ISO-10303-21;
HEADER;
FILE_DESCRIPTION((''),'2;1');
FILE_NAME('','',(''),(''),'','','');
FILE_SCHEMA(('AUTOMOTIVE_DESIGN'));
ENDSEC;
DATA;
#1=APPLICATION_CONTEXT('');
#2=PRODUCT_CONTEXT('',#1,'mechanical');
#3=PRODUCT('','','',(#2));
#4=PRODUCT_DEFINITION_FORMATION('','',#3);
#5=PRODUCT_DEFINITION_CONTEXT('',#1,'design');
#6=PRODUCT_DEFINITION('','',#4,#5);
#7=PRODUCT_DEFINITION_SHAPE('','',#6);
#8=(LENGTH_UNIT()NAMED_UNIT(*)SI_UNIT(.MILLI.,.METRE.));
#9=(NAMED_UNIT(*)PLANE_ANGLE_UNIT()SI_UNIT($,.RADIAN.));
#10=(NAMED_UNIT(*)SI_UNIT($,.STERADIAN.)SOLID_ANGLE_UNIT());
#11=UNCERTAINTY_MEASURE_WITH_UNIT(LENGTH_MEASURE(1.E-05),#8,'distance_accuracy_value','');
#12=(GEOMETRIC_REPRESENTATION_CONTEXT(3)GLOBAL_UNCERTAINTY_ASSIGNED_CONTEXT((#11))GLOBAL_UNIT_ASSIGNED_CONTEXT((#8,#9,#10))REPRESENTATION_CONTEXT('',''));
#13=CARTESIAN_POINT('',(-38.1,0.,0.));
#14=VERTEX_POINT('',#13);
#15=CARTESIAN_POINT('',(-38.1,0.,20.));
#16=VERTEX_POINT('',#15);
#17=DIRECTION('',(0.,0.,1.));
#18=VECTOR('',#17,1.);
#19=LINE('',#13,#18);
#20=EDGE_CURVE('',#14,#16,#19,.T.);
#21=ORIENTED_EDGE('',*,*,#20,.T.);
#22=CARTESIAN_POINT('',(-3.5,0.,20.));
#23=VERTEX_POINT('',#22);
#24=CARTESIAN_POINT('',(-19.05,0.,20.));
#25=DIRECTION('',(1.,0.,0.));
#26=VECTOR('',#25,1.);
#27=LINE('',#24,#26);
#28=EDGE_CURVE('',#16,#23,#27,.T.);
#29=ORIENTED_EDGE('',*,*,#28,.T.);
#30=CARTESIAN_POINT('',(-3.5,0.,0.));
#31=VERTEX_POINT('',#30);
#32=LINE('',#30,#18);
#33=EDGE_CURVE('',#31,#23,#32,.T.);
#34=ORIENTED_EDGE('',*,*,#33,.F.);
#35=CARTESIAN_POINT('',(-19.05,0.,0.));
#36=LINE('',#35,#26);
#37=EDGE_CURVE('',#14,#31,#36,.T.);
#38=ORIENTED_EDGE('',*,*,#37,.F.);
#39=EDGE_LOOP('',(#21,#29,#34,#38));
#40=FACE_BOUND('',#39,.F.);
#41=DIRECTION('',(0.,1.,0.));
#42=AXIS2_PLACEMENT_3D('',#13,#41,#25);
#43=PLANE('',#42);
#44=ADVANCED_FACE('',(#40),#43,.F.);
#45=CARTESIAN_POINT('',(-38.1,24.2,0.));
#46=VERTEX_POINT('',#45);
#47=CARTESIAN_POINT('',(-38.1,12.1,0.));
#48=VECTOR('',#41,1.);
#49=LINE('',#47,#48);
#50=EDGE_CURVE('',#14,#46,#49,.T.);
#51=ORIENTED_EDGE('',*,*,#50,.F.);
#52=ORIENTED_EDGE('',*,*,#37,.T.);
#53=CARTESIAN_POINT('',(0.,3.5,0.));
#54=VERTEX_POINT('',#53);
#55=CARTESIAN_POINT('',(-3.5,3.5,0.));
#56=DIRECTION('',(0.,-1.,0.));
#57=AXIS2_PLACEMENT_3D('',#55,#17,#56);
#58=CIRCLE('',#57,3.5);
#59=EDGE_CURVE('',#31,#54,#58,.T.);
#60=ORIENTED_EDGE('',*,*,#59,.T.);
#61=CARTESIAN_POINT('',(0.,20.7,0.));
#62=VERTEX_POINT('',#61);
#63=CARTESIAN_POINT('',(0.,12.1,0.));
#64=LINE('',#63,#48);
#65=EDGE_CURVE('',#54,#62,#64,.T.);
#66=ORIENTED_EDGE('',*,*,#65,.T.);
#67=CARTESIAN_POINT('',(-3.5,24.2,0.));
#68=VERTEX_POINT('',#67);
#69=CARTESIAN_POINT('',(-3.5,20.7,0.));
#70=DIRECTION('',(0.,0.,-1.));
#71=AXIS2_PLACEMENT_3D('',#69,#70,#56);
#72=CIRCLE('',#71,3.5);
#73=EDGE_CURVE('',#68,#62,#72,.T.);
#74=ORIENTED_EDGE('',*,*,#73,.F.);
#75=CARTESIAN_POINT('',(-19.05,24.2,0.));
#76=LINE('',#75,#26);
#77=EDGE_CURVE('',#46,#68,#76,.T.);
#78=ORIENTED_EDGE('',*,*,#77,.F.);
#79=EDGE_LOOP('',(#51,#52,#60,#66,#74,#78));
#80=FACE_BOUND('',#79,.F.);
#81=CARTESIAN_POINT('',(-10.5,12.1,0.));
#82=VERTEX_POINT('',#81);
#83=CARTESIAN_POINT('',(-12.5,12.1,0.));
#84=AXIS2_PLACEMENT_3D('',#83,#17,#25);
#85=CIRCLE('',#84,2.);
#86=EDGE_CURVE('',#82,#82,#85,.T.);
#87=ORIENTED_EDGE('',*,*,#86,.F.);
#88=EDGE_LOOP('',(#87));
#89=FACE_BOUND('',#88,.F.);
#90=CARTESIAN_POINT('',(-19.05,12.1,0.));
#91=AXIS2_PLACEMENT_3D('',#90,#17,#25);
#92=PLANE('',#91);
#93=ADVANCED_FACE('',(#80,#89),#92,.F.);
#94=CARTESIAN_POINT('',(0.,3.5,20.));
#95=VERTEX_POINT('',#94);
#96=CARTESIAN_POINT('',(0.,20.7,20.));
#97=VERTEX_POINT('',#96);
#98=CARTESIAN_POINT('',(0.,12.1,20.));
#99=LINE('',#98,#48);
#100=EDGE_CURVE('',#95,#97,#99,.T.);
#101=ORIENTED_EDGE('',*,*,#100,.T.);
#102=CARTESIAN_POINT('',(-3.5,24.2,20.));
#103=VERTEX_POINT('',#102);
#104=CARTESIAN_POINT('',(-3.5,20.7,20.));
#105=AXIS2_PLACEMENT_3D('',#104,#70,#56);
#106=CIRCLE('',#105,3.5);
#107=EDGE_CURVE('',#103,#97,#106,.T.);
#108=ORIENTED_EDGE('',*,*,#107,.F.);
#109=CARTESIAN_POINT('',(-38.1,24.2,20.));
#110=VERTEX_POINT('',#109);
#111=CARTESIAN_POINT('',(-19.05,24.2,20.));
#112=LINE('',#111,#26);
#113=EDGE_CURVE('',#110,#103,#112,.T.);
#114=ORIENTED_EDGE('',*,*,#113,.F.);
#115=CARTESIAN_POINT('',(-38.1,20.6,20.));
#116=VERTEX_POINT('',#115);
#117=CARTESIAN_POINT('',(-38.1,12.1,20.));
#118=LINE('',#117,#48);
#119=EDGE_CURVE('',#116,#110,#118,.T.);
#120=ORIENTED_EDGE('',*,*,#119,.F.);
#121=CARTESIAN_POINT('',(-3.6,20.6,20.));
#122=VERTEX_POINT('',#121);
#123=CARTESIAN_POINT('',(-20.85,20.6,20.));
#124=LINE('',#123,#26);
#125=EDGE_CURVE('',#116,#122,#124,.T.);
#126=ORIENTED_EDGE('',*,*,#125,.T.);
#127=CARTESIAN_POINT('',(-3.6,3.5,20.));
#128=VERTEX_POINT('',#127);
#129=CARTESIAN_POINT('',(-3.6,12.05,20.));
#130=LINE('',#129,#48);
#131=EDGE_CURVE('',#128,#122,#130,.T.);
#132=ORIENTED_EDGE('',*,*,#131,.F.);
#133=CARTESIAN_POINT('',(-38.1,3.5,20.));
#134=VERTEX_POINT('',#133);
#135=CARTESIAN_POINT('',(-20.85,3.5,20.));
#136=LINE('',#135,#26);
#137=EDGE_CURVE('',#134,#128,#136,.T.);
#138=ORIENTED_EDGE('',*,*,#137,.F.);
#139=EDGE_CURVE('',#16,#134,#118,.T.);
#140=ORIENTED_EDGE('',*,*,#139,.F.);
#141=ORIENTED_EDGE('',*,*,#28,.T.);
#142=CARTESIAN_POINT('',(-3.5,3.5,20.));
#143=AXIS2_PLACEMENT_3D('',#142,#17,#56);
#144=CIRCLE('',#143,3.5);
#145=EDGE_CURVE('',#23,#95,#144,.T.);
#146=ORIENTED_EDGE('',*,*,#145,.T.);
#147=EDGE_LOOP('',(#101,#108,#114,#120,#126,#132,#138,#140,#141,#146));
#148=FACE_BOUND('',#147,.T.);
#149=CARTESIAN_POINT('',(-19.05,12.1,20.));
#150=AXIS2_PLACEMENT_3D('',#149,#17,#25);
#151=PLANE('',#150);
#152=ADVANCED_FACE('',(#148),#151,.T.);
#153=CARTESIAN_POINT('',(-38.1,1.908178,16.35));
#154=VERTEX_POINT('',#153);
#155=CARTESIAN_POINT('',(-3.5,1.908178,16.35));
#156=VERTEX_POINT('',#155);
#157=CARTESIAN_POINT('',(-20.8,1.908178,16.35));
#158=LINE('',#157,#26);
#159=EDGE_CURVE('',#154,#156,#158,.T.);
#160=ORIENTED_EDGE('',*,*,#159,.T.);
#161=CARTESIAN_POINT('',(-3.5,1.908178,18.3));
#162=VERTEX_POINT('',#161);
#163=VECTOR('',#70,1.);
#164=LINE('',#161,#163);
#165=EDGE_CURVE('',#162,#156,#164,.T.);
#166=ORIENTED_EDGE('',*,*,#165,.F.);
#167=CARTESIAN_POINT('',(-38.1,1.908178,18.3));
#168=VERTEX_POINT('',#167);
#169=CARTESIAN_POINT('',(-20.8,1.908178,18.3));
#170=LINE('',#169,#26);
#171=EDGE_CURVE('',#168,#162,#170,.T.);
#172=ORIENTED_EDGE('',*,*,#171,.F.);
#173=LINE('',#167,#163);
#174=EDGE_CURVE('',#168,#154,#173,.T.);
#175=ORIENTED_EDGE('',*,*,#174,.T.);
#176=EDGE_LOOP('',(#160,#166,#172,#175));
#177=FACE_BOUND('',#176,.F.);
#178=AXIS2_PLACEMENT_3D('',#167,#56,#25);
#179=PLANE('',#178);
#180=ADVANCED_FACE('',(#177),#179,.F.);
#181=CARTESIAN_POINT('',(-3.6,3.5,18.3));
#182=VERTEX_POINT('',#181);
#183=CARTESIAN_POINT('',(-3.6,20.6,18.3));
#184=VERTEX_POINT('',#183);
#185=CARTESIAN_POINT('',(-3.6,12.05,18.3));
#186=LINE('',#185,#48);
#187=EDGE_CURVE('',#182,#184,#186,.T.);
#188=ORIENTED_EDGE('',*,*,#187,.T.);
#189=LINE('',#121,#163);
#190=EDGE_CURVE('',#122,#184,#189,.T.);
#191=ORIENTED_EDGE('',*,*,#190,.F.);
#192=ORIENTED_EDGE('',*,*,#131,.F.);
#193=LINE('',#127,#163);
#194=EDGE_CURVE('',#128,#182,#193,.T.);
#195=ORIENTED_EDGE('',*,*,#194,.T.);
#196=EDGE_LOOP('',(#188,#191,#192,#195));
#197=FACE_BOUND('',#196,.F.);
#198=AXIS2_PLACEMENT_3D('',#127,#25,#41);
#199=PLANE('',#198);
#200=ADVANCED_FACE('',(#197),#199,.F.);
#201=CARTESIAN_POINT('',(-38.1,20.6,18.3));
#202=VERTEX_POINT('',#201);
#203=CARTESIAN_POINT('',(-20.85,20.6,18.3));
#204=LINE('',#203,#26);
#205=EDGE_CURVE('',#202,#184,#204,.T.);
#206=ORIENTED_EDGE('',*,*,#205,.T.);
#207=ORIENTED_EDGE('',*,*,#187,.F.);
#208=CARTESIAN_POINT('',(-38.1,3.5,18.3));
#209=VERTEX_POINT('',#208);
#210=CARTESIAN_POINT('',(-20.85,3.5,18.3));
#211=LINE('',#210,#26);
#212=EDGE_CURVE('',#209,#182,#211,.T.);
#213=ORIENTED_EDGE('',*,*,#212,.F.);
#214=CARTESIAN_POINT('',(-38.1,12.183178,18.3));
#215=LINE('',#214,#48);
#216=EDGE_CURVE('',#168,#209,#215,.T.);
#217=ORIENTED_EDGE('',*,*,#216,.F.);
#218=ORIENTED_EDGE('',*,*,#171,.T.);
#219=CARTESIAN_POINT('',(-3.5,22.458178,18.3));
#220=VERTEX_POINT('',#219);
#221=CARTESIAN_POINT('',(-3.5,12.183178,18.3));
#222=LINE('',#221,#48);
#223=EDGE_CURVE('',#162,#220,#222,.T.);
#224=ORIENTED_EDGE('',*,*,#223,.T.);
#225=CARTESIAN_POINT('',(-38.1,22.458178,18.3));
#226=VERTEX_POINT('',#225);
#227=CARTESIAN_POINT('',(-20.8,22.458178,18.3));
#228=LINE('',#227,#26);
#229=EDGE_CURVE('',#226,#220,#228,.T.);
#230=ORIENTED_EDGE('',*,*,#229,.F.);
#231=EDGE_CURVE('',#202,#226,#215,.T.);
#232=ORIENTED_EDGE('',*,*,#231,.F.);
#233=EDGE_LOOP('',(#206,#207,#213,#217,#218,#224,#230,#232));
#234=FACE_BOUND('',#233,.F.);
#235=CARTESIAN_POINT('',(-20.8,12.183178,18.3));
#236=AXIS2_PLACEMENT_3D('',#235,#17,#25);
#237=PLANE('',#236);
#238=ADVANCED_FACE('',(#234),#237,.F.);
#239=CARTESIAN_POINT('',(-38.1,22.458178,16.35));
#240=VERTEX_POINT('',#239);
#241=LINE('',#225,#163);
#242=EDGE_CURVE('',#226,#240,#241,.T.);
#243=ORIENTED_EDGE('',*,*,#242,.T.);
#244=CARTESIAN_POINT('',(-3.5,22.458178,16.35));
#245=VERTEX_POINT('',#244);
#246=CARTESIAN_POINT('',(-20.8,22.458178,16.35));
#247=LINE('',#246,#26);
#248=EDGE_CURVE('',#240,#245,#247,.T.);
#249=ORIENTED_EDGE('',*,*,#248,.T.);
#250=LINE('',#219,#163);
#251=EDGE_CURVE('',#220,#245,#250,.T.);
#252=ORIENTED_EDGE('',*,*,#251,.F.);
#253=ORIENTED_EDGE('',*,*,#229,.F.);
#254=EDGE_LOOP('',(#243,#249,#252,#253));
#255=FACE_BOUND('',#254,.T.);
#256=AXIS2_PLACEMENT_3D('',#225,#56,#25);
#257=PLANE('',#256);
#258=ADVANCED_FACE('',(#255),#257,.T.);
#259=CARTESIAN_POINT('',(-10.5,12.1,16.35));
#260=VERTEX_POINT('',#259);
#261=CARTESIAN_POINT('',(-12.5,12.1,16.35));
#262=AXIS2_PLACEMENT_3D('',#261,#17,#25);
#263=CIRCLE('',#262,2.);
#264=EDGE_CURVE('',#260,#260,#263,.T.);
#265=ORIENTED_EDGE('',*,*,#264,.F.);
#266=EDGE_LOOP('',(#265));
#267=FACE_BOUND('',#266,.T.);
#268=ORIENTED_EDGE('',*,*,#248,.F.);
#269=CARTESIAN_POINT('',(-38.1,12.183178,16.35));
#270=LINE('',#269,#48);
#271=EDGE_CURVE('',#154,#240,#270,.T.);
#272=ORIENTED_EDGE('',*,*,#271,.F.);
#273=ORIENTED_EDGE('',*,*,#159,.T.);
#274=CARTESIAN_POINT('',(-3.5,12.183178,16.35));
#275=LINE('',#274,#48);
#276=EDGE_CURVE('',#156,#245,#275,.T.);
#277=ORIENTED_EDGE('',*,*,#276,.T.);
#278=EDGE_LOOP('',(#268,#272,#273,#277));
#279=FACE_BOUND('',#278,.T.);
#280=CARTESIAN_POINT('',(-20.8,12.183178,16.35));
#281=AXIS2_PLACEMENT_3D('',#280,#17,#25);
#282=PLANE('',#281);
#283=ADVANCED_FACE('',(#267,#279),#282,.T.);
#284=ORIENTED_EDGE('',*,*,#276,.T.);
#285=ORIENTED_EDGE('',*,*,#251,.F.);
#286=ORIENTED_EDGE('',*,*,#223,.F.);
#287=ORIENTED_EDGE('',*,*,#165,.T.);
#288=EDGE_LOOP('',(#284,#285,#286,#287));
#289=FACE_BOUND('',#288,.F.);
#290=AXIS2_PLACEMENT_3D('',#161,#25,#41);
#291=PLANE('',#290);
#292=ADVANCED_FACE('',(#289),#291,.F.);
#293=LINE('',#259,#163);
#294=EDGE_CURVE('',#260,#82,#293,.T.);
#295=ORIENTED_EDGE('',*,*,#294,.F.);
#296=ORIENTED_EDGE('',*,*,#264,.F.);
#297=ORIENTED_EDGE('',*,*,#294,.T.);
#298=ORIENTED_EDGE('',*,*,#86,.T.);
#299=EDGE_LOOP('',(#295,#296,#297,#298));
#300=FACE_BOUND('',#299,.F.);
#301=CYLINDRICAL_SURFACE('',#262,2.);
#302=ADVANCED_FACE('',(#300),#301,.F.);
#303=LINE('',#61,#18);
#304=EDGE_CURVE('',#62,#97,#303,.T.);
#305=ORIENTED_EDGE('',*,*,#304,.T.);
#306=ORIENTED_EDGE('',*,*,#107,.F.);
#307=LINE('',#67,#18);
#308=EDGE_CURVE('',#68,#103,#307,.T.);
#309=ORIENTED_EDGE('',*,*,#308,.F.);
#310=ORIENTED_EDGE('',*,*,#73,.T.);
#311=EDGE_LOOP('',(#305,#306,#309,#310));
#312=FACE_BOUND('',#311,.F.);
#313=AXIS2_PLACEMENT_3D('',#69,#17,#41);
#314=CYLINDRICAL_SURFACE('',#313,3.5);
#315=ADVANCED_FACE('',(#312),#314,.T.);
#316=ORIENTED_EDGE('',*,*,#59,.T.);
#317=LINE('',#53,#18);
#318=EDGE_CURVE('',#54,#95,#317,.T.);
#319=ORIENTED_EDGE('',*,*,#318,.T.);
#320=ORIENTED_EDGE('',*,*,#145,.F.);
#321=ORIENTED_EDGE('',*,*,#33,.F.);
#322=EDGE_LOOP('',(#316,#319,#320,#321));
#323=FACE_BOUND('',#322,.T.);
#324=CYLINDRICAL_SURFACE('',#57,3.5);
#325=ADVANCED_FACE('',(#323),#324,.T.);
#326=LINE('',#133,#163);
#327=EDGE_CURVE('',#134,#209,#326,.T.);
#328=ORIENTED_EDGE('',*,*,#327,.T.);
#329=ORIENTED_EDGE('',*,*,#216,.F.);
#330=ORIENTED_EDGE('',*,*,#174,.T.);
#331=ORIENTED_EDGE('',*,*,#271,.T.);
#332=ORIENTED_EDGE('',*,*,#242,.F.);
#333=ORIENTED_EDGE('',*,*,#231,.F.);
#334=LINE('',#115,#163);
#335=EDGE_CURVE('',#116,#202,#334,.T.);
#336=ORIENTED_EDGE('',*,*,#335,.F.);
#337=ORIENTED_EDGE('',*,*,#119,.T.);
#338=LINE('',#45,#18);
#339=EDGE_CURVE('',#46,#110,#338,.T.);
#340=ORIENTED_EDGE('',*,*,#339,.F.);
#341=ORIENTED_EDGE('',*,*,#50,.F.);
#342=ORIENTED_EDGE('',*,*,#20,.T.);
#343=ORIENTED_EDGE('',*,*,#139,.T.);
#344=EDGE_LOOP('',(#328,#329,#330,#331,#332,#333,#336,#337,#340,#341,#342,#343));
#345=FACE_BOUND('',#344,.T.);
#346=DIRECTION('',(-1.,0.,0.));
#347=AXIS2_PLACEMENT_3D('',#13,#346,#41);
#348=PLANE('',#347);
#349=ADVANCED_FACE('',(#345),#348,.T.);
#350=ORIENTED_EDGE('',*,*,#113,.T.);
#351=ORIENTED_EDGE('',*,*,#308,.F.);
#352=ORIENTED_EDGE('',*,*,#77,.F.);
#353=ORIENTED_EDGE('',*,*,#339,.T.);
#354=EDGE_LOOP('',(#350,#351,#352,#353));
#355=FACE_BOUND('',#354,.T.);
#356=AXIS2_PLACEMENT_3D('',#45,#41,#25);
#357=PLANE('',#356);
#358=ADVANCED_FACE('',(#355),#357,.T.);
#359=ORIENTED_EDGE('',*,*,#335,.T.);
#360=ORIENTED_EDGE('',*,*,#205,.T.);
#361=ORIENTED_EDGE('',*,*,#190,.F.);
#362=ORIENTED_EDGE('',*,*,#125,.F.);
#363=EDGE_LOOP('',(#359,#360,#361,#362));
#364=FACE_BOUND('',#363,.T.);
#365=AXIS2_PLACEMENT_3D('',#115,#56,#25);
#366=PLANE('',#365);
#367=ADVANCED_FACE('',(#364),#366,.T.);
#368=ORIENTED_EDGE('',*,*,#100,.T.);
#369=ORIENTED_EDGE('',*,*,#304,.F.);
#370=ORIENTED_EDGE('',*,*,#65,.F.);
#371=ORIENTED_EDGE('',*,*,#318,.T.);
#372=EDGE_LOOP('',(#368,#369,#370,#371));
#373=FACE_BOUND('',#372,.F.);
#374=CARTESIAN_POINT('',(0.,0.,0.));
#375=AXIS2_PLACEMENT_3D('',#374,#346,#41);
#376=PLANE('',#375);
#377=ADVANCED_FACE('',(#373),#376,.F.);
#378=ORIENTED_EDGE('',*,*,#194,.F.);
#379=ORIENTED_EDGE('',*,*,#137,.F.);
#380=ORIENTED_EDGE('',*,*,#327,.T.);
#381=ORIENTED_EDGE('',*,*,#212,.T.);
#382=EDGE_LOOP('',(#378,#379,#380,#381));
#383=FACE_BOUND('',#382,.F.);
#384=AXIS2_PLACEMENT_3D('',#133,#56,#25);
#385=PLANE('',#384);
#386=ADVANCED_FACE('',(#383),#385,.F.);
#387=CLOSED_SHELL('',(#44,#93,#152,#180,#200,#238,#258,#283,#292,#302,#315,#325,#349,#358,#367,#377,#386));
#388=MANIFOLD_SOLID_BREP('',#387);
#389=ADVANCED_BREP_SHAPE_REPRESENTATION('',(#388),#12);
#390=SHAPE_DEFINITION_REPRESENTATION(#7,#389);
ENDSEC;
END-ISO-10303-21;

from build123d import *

# Parameters (mm, degrees)
F0_W     = 38.1
F0_H     = 24.2
F1_DEPTH = 20
F2_W     = 34.5
F2_H     = 17.1
F3_DEPTH = 1.7
F4_W     = 34.6
F4_H     = 20.55
F5_DEPTH = 1.95
F6_R     = 3.5
F7_R     = 2
F8_DEPTH = 16.35


with BuildPart() as f1:
    # F0 (on Top) → F1 (new body)
    with BuildSketch(Plane.XY):
        with Locations((-19.05, 12.1)):
            Rectangle(F0_W, F0_H)
    extrude(amount=F1_DEPTH)

    # F2 (on face) → F3 (cut)
    with BuildSketch(Plane.XY.offset(20)):
        with Locations((-20.85, 12.05)):
            Rectangle(F2_W, F2_H)
    extrude(amount=-F3_DEPTH, mode=Mode.SUBTRACT)

    # F4 (on face) → F5 (cut)
    with BuildSketch(Plane.XY.offset(18.3)):
        with Locations((-20.8, 12.183178224)):
            Rectangle(F4_W, F4_H)
    extrude(amount=-F5_DEPTH, mode=Mode.SUBTRACT)

    # F6
    f6_edges = [f1.edges().sort_by_distance(p)[0] for p in [
        (0, 24.2, 10),
        (0, 0, 10),
    ]]
    fillet(f6_edges, radius=F6_R)

    # F7 (on face) → F8 (cut, through all)
    with BuildSketch(Plane.XY.offset(16.35)):
        with Locations((-12.5, 12.1)):
            Circle(F7_R)
    extrude(amount=-F8_DEPTH, mode=Mode.SUBTRACT)


solid = f1.part
